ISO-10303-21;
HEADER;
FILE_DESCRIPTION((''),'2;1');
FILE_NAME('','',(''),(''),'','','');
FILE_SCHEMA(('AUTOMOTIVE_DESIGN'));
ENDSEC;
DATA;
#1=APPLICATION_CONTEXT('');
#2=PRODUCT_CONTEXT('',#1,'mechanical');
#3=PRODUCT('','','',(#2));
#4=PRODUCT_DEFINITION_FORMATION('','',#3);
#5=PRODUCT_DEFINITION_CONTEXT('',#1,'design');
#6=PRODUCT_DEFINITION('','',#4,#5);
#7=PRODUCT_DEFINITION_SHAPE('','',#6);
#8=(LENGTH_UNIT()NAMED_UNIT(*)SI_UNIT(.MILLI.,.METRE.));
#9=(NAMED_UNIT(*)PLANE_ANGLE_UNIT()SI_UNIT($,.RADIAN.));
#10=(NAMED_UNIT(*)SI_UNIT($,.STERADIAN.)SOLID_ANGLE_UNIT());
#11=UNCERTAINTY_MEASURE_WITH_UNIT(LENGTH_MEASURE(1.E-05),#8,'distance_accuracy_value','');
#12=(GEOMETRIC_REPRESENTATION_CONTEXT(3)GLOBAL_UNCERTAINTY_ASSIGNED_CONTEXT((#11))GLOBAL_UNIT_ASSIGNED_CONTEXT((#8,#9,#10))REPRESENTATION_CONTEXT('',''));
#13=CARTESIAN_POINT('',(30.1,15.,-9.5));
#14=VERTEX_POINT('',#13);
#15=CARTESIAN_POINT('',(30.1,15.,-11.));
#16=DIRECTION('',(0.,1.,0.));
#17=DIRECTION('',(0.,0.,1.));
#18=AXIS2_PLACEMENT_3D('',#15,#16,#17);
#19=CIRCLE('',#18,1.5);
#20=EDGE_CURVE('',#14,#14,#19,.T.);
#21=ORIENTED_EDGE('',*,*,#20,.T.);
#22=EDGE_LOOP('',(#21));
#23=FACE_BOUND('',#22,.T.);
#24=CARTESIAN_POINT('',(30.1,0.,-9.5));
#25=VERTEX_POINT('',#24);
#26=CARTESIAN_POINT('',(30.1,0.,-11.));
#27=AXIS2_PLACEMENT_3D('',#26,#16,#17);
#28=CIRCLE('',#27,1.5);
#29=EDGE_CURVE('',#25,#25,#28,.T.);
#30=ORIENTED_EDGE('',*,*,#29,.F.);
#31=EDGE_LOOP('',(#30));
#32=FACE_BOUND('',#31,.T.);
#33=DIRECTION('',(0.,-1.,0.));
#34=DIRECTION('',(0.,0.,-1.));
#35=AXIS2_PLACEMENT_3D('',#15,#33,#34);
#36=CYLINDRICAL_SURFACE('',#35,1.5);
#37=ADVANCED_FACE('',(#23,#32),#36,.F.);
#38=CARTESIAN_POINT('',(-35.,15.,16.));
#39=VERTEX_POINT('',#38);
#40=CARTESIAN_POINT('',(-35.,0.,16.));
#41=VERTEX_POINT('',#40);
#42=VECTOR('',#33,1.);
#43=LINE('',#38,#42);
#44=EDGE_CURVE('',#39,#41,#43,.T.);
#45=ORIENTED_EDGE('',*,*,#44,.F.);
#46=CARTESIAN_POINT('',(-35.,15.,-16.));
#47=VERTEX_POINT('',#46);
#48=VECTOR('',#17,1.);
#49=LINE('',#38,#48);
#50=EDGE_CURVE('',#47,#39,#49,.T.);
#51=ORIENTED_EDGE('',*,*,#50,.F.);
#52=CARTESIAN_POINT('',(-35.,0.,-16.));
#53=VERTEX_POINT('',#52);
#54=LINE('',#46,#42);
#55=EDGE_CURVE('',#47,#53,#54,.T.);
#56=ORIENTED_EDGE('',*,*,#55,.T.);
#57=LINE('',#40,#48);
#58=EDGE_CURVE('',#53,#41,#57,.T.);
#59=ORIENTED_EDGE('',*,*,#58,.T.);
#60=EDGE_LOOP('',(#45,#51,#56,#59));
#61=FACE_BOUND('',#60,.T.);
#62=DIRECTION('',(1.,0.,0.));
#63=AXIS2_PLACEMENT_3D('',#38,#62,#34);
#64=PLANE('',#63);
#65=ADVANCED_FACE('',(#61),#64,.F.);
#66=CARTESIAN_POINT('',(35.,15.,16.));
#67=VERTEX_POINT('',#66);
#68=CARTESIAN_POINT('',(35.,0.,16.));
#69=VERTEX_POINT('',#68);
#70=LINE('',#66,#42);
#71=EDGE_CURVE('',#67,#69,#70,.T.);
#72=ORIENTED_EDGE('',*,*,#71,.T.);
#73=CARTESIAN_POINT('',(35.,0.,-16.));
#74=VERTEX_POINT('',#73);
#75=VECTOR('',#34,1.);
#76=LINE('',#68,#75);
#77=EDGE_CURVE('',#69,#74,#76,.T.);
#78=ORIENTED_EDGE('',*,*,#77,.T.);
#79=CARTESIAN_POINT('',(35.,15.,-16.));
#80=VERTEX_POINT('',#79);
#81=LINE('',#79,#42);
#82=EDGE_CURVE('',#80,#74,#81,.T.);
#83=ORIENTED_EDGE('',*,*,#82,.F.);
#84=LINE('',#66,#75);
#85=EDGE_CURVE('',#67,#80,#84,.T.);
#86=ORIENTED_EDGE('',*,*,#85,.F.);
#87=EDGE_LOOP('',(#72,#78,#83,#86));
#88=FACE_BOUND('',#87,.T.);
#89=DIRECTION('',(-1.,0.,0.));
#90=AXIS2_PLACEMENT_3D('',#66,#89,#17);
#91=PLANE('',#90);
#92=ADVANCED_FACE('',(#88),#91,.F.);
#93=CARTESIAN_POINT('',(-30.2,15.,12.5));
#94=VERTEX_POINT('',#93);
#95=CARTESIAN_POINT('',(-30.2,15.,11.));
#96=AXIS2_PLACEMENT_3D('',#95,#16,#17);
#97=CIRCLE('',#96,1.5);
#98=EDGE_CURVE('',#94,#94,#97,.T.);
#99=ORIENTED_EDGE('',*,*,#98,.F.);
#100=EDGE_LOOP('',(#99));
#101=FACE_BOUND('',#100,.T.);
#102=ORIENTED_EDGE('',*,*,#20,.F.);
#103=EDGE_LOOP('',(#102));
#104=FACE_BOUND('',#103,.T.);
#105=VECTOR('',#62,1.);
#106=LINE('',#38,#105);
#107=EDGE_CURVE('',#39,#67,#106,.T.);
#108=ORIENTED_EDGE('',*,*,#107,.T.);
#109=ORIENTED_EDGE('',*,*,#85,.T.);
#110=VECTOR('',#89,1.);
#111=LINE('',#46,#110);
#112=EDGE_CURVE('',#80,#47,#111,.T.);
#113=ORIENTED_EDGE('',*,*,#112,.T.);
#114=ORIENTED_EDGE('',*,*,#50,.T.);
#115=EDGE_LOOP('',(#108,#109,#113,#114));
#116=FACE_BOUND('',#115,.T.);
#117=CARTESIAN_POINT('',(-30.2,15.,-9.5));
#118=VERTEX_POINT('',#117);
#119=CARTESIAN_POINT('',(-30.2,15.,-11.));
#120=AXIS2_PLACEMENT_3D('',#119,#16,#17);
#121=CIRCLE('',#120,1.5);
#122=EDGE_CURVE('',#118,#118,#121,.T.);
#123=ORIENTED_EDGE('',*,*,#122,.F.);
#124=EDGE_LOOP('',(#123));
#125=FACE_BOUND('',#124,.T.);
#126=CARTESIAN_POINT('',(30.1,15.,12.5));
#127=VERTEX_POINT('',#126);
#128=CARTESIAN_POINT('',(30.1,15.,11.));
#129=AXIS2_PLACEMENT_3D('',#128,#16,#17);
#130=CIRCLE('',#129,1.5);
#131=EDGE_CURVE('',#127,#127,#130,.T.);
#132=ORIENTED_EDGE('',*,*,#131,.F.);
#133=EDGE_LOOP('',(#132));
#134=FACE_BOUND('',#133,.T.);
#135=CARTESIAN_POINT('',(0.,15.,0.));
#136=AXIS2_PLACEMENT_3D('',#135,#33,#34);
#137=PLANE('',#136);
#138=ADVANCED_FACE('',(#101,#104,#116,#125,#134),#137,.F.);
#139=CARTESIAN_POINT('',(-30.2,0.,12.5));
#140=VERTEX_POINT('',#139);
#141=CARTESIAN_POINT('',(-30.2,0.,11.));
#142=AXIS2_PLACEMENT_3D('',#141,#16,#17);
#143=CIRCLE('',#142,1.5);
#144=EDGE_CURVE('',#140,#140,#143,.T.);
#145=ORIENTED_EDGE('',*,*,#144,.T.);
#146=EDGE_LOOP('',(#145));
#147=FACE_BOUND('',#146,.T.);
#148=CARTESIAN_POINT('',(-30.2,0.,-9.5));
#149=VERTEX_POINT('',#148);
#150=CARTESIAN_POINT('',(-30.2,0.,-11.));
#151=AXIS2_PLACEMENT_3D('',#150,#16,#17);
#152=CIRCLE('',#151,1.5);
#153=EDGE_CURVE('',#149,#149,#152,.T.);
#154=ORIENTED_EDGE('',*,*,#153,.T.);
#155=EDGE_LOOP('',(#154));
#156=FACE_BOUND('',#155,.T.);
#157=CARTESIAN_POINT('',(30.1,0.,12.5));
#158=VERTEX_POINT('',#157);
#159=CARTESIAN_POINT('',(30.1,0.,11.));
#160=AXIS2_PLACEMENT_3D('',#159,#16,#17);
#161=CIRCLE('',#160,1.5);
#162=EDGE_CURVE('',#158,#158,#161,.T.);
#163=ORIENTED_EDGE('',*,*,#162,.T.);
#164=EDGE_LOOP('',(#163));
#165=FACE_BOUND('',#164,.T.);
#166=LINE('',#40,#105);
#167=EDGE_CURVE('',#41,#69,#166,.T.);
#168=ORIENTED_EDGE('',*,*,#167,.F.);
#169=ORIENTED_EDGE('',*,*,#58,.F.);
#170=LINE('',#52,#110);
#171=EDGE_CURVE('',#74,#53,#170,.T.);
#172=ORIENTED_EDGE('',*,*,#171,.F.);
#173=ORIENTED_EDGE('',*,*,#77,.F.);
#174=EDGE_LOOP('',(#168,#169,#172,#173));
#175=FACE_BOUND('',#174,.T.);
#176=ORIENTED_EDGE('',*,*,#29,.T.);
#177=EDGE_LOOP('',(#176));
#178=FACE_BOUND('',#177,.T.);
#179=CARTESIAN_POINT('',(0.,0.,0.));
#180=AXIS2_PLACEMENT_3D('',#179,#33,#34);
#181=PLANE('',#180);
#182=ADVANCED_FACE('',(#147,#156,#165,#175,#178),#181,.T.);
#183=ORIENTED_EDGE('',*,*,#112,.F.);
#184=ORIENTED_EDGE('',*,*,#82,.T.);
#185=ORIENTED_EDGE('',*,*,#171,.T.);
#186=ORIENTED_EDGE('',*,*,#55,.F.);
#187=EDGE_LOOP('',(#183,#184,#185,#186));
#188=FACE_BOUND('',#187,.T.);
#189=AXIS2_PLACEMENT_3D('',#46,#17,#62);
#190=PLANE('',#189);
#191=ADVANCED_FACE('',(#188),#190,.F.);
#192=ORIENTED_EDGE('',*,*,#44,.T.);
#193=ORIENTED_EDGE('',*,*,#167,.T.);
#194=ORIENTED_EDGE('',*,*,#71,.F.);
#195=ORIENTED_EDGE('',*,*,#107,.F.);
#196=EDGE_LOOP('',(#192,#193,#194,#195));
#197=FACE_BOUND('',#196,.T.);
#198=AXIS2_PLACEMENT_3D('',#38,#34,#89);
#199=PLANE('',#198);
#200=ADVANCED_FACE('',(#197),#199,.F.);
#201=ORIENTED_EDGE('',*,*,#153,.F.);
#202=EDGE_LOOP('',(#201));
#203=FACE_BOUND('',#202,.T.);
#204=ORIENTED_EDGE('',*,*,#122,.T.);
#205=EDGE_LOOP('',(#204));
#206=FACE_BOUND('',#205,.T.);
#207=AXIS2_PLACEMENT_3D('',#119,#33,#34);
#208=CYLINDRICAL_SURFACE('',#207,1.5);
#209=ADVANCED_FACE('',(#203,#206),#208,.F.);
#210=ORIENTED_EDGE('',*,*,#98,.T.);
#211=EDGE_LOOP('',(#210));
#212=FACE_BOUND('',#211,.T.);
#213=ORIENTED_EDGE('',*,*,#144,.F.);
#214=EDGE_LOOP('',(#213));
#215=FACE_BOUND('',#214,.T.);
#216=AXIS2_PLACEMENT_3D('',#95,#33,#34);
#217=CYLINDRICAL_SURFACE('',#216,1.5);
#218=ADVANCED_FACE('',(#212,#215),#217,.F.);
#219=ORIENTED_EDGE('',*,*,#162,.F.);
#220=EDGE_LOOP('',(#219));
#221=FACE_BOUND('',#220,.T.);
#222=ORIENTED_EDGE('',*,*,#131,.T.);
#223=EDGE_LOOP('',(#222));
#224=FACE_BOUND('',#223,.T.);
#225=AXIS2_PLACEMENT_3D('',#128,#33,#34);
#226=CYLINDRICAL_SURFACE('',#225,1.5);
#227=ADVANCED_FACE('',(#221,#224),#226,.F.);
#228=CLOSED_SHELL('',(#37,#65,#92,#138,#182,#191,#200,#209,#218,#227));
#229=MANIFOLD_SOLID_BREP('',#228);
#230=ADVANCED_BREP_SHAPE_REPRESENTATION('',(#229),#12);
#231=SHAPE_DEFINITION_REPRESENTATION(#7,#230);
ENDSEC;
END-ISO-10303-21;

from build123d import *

# Parameters (mm, degrees)
SKETCH1_W           = 70
SKETCH1_H           = 32
SKETCH1_R           = 1.5
BOSS_EXTRUDE1_DEPTH = 15


with BuildPart() as part:
    # Sketch1 → Boss-Extrude1 (new body)
    with BuildSketch(Plane(origin=(0, 0, 0), x_dir=(1, 0, 0), z_dir=(0, 1, 0))):
        Rectangle(SKETCH1_W, SKETCH1_H)
        with Locations(Location((-30.2, 11, 0), (0, 0, 270))):
            Circle(SKETCH1_R, mode=Mode.SUBTRACT)
        with Locations(Location((30.1, 11, 0), (0, 0, 270))):
            Circle(SKETCH1_R, mode=Mode.SUBTRACT)
        with Locations(Location((30.1, -11, 0), (0, 0, 270))):
            Circle(SKETCH1_R, mode=Mode.SUBTRACT)
        with Locations(Location((-30.2, -11, 0), (0, 0, 270))):
            Circle(SKETCH1_R, mode=Mode.SUBTRACT)
    extrude(amount=BOSS_EXTRUDE1_DEPTH)


solid = part.part
